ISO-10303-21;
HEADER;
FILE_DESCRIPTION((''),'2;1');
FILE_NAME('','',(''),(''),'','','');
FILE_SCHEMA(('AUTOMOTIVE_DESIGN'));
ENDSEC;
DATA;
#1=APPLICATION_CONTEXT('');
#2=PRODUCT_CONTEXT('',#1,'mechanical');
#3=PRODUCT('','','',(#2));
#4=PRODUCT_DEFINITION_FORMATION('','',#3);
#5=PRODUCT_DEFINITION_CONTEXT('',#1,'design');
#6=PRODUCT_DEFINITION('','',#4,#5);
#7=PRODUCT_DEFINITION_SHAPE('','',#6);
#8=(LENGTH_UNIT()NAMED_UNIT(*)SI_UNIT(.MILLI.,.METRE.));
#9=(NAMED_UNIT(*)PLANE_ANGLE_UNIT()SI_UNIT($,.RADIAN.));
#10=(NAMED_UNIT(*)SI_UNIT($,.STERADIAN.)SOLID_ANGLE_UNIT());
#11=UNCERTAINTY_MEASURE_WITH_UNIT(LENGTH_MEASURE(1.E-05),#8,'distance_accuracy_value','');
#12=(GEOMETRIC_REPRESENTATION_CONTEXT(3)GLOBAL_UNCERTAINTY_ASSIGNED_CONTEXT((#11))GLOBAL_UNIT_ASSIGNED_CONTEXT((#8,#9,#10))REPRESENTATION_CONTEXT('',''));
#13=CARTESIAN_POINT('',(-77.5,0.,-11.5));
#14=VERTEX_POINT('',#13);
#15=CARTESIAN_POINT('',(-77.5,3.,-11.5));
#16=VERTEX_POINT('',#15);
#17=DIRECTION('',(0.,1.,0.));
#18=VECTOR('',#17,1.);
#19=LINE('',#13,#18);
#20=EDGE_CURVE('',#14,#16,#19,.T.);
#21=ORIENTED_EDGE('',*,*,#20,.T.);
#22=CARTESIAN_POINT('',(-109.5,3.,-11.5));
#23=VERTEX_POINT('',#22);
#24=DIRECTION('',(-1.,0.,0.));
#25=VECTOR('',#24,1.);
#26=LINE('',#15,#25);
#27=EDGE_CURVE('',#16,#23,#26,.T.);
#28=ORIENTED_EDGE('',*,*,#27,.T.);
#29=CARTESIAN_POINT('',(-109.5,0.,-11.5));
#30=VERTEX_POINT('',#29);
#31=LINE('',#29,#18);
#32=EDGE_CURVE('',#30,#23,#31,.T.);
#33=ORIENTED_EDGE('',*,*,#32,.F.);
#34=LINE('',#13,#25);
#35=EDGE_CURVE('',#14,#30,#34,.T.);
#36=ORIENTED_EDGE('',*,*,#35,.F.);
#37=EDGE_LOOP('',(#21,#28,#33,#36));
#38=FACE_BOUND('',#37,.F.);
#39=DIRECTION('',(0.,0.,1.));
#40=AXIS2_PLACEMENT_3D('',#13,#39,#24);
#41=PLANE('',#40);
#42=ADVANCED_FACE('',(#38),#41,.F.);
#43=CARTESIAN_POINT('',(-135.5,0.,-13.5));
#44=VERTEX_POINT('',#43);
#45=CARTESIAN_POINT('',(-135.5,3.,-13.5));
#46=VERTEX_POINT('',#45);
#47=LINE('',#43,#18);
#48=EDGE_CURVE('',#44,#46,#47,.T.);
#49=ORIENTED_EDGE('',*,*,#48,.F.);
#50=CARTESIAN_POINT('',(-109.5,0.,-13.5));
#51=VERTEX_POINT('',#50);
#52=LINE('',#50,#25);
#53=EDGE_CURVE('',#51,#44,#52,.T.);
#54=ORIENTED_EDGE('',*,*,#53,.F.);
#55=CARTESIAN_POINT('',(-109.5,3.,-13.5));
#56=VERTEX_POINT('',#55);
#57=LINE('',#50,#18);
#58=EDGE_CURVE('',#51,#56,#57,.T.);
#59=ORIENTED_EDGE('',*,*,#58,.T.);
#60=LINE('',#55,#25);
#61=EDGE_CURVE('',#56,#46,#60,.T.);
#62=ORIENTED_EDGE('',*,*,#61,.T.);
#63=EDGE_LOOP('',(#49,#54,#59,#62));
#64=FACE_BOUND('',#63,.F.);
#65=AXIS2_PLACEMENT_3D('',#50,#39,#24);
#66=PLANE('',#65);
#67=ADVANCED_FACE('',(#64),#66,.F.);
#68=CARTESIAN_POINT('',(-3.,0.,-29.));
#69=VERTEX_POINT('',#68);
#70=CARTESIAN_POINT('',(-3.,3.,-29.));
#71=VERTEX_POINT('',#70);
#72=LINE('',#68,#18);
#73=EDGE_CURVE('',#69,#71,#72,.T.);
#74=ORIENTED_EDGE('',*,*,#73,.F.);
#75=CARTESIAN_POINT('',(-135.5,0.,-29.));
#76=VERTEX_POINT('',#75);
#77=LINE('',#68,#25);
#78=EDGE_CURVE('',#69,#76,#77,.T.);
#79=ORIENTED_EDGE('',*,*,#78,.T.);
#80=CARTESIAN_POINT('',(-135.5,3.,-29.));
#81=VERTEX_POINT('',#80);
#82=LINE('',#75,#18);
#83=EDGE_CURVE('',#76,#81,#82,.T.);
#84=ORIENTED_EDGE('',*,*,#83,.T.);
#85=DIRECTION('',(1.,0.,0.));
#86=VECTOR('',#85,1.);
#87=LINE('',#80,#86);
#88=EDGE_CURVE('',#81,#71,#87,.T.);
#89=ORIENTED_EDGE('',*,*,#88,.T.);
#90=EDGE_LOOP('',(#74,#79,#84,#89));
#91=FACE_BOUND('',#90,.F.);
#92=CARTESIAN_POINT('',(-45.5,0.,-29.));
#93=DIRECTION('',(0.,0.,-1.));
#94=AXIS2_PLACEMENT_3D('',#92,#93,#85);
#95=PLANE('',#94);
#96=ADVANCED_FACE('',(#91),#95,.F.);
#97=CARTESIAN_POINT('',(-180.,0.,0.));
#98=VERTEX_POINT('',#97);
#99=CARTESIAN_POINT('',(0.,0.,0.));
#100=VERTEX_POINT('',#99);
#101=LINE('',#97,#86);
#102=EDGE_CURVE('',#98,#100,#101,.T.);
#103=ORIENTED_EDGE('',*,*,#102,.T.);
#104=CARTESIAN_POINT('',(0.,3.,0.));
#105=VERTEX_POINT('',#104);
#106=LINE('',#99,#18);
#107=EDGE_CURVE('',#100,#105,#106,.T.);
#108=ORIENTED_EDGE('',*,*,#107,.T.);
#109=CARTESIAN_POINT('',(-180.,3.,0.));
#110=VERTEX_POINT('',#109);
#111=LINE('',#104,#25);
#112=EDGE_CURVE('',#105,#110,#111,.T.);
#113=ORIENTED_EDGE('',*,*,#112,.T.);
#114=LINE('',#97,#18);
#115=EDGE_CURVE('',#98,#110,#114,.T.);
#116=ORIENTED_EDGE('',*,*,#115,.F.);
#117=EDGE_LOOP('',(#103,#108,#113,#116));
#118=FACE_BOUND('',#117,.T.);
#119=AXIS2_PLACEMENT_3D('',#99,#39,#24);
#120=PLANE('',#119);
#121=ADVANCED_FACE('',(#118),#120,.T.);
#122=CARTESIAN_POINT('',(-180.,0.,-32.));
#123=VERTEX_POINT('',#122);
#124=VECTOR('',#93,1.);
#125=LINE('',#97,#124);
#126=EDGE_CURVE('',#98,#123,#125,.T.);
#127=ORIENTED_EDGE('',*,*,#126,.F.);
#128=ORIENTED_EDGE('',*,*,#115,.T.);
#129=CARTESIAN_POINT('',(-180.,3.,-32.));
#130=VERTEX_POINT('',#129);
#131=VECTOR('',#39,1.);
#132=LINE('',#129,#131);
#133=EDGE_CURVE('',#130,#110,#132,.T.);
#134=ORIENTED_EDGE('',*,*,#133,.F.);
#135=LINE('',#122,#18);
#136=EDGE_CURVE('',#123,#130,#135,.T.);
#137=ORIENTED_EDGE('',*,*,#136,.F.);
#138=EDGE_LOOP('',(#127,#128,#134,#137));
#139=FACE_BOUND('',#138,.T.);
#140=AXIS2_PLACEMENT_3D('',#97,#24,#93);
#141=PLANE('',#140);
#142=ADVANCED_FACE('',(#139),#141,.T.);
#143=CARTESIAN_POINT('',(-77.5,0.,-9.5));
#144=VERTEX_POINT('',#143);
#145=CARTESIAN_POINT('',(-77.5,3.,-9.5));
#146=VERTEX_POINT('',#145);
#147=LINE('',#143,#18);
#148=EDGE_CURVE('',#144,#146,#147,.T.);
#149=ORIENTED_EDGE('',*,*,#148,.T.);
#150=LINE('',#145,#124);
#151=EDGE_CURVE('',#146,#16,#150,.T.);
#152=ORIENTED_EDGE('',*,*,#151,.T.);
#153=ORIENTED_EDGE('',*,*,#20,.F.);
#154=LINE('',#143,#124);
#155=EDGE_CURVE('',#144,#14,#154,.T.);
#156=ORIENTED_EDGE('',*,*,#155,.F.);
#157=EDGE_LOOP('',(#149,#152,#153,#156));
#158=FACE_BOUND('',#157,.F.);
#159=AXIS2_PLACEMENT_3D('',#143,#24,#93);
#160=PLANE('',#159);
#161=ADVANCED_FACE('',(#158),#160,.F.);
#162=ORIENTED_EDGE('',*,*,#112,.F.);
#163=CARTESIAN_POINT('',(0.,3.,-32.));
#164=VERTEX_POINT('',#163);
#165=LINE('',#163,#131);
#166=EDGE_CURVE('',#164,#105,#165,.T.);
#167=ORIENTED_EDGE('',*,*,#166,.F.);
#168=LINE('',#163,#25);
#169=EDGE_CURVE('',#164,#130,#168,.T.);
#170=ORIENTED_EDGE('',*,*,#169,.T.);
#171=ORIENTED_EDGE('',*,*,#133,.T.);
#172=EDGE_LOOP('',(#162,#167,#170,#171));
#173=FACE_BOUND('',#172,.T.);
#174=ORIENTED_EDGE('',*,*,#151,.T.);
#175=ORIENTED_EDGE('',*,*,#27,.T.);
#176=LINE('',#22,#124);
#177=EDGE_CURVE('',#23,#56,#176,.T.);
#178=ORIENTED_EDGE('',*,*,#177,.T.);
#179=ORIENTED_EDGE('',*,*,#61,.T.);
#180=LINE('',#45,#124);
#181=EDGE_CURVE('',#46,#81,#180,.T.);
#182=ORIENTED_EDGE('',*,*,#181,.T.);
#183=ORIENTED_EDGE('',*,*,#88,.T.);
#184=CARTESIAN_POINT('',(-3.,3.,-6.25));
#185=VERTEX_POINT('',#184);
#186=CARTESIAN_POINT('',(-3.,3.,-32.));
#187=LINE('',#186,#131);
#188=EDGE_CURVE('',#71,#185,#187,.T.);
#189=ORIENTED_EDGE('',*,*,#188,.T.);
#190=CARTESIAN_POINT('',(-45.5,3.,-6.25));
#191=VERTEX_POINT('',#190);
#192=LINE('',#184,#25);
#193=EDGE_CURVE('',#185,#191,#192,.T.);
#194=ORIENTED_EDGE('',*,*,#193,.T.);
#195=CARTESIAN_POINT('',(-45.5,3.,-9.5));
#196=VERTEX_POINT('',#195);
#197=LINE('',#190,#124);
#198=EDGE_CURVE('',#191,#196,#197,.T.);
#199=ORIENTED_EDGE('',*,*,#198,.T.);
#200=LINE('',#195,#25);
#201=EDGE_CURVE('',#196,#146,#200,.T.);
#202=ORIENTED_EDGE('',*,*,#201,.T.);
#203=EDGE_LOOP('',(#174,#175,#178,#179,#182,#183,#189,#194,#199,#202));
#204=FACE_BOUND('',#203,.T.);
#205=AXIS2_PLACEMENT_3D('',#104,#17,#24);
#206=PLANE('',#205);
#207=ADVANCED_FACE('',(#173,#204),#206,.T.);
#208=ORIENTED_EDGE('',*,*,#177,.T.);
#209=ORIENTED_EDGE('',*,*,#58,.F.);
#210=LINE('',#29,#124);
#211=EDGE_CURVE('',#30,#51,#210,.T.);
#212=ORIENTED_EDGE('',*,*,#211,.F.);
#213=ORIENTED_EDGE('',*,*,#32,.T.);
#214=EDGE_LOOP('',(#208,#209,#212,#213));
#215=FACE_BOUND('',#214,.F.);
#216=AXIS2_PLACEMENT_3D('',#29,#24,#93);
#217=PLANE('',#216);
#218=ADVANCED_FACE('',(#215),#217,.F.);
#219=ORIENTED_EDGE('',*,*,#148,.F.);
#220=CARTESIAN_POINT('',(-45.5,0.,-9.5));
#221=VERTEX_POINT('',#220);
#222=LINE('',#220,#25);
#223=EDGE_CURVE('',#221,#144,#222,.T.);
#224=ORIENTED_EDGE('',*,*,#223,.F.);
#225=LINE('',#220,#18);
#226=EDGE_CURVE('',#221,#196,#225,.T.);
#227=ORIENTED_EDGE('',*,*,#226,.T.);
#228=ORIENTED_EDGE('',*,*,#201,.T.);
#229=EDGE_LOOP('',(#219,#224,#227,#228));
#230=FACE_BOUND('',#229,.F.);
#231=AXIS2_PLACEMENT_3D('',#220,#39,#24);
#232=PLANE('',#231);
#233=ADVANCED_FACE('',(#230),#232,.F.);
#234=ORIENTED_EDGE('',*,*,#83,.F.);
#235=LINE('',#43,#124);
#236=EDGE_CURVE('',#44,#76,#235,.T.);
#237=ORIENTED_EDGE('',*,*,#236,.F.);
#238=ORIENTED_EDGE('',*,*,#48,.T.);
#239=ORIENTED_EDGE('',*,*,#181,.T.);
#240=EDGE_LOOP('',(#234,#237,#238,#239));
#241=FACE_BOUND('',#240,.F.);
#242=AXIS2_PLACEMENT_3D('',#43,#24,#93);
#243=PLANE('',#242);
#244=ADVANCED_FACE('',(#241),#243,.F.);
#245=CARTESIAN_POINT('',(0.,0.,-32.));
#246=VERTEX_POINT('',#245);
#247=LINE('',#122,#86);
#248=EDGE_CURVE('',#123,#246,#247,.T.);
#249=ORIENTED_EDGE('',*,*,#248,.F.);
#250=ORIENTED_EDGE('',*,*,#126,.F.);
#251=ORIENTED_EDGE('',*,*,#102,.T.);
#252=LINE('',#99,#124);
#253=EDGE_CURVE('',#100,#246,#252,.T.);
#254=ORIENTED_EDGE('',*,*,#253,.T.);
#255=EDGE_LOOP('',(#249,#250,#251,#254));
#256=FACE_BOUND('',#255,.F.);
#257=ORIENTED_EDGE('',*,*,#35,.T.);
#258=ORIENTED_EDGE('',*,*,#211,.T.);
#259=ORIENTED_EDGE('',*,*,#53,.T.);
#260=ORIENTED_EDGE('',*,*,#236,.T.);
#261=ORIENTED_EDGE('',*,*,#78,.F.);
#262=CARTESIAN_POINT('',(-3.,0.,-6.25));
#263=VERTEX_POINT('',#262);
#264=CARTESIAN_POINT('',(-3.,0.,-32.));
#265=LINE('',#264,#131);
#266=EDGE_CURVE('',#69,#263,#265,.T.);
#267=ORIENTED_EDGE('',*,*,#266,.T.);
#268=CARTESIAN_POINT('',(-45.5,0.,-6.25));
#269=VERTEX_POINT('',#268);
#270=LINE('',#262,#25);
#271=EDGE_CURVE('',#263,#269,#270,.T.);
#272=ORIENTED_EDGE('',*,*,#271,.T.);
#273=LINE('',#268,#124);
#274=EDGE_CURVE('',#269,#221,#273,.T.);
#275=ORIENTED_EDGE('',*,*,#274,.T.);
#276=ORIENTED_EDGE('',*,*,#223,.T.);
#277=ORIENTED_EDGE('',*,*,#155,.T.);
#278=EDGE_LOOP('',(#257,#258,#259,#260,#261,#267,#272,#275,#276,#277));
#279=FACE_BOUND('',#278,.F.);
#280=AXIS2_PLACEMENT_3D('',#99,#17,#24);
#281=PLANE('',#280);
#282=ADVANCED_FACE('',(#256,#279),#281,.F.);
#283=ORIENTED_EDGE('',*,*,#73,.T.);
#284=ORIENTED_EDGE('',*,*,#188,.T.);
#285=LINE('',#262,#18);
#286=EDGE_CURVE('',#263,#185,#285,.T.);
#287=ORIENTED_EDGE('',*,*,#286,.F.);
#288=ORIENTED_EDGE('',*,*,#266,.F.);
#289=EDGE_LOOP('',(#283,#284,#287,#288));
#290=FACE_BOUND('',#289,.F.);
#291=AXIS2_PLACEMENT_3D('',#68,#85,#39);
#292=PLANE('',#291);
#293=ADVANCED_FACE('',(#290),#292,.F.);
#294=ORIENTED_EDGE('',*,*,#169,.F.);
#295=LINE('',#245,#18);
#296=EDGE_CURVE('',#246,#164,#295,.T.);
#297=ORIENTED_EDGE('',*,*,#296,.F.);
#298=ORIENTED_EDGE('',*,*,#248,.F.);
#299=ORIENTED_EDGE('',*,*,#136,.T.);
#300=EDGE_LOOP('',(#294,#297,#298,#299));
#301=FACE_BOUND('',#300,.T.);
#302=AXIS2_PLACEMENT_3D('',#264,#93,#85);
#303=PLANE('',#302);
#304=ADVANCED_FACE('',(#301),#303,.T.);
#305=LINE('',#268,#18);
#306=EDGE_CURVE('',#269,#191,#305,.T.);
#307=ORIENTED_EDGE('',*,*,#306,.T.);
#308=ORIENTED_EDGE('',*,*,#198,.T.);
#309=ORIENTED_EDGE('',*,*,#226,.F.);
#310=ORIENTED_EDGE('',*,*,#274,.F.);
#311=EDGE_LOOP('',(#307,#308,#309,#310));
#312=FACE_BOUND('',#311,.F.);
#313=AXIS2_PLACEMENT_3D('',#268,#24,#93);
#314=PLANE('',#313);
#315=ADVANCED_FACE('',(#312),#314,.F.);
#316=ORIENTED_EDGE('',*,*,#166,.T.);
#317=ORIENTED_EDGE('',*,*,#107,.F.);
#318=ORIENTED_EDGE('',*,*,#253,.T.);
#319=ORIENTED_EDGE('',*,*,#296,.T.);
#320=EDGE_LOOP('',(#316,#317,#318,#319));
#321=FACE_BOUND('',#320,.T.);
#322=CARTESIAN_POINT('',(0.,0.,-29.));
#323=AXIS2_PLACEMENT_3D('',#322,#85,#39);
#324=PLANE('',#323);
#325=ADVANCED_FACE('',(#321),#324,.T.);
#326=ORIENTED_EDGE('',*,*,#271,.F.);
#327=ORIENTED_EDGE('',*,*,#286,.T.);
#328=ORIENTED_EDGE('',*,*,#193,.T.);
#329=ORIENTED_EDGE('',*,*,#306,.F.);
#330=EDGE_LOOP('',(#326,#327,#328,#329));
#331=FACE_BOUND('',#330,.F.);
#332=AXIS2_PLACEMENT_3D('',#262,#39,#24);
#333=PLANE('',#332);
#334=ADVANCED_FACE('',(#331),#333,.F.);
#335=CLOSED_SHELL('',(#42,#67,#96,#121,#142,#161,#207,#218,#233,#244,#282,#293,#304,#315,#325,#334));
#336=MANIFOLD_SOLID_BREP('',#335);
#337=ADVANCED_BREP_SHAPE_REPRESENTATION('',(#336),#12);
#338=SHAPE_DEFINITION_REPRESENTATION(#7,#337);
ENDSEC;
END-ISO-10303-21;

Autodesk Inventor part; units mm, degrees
ref_plane "YZ Plane" through (0, 0, 0) normal (1, 0, 0) x (0, 1, 0)
ref_plane "XZ Plane" through (0, 0, 0) normal (0, 1, 0) x (-1, 0, 0)
ref_plane "XY Plane" through (0, 0, 0) normal (0, 0, 1) x (1, 0, 0)
sketch "Sketch1" plane through (0, 0, 0) normal (0, 1, 0) x (-1, 0, 0)
  line L0 (0, 0) -> (180, 0)
  line L1 (180, 0) -> (180, -32)
  line L2 (180, -32) -> (0, -32)
  line L3 (0, -32) -> (0, 0)
  line L4 (0, -32) -> (180, -32)
  line L5 (180, -32) -> (180, -29)
  line L6 (180, -29) -> (0, -29)
  line L7 (0, -29) -> (0, -32)
  line L8 (0, -32) -> (3, -32)
  line L9 (3, -32) -> (3, 0)
  line L10 (3, 0) -> (0, 0)
  line L11 (0, 0) -> (0, -32)
  line L12 (135.5, -29) -> (109.5, -29)
  line L13 (109.5, -29) -> (109.5, -13.5)
  line L14 (109.5, -13.5) -> (135.5, -13.5)
  line L15 (135.5, -13.5) -> (135.5, -29)
  line L16 (109.5, -29) -> (77.5, -29)
  line L17 (77.5, -29) -> (77.5, -11.5)
  line L18 (77.5, -11.5) -> (109.5, -11.5)
  line L19 (109.5, -11.5) -> (109.5, -29)
  line L20 (77.5, -29) -> (45.5, -29)
  line L21 (45.5, -29) -> (45.5, -9.5)
  line L22 (45.5, -9.5) -> (77.5, -9.5)
  line L23 (77.5, -9.5) -> (77.5, -29)
  line L24 (45.5, -29) -> (3, -29)
  line L25 (3, -29) -> (3, -6.25)
  line L26 (3, -6.25) -> (45.5, -6.25)
  line L27 (45.5, -6.25) -> (45.5, -29)
  point P0 (3, -29)
  point P1 (0, -29)
  dimension "d0" = 180
  dimension "d1" = 32
  dimension "d2" = 3
  dimension "d3" = 3
  dimension "d4" = 26
  dimension "d5" = 42.5
  dimension "d6" = 32
  dimension "d7" = 32
  dimension "d14" = 18.5
  dimension "d16" = 20.5
  dimension "d17" = 22.5
  dimension "d18" = 25.75
extrude "Extrusion1" add sketch "Sketch1" along normal blind 3 contours L0 L9 L6 L3 | L0 L1 L6 L15 L14 L19 L18 L23 L22 L27 L26 L9 | L6 L9 L2 L3 | L6 L1 L2 L9
properties part number "sledPlate" material "Polycarbonate, Smoke"
